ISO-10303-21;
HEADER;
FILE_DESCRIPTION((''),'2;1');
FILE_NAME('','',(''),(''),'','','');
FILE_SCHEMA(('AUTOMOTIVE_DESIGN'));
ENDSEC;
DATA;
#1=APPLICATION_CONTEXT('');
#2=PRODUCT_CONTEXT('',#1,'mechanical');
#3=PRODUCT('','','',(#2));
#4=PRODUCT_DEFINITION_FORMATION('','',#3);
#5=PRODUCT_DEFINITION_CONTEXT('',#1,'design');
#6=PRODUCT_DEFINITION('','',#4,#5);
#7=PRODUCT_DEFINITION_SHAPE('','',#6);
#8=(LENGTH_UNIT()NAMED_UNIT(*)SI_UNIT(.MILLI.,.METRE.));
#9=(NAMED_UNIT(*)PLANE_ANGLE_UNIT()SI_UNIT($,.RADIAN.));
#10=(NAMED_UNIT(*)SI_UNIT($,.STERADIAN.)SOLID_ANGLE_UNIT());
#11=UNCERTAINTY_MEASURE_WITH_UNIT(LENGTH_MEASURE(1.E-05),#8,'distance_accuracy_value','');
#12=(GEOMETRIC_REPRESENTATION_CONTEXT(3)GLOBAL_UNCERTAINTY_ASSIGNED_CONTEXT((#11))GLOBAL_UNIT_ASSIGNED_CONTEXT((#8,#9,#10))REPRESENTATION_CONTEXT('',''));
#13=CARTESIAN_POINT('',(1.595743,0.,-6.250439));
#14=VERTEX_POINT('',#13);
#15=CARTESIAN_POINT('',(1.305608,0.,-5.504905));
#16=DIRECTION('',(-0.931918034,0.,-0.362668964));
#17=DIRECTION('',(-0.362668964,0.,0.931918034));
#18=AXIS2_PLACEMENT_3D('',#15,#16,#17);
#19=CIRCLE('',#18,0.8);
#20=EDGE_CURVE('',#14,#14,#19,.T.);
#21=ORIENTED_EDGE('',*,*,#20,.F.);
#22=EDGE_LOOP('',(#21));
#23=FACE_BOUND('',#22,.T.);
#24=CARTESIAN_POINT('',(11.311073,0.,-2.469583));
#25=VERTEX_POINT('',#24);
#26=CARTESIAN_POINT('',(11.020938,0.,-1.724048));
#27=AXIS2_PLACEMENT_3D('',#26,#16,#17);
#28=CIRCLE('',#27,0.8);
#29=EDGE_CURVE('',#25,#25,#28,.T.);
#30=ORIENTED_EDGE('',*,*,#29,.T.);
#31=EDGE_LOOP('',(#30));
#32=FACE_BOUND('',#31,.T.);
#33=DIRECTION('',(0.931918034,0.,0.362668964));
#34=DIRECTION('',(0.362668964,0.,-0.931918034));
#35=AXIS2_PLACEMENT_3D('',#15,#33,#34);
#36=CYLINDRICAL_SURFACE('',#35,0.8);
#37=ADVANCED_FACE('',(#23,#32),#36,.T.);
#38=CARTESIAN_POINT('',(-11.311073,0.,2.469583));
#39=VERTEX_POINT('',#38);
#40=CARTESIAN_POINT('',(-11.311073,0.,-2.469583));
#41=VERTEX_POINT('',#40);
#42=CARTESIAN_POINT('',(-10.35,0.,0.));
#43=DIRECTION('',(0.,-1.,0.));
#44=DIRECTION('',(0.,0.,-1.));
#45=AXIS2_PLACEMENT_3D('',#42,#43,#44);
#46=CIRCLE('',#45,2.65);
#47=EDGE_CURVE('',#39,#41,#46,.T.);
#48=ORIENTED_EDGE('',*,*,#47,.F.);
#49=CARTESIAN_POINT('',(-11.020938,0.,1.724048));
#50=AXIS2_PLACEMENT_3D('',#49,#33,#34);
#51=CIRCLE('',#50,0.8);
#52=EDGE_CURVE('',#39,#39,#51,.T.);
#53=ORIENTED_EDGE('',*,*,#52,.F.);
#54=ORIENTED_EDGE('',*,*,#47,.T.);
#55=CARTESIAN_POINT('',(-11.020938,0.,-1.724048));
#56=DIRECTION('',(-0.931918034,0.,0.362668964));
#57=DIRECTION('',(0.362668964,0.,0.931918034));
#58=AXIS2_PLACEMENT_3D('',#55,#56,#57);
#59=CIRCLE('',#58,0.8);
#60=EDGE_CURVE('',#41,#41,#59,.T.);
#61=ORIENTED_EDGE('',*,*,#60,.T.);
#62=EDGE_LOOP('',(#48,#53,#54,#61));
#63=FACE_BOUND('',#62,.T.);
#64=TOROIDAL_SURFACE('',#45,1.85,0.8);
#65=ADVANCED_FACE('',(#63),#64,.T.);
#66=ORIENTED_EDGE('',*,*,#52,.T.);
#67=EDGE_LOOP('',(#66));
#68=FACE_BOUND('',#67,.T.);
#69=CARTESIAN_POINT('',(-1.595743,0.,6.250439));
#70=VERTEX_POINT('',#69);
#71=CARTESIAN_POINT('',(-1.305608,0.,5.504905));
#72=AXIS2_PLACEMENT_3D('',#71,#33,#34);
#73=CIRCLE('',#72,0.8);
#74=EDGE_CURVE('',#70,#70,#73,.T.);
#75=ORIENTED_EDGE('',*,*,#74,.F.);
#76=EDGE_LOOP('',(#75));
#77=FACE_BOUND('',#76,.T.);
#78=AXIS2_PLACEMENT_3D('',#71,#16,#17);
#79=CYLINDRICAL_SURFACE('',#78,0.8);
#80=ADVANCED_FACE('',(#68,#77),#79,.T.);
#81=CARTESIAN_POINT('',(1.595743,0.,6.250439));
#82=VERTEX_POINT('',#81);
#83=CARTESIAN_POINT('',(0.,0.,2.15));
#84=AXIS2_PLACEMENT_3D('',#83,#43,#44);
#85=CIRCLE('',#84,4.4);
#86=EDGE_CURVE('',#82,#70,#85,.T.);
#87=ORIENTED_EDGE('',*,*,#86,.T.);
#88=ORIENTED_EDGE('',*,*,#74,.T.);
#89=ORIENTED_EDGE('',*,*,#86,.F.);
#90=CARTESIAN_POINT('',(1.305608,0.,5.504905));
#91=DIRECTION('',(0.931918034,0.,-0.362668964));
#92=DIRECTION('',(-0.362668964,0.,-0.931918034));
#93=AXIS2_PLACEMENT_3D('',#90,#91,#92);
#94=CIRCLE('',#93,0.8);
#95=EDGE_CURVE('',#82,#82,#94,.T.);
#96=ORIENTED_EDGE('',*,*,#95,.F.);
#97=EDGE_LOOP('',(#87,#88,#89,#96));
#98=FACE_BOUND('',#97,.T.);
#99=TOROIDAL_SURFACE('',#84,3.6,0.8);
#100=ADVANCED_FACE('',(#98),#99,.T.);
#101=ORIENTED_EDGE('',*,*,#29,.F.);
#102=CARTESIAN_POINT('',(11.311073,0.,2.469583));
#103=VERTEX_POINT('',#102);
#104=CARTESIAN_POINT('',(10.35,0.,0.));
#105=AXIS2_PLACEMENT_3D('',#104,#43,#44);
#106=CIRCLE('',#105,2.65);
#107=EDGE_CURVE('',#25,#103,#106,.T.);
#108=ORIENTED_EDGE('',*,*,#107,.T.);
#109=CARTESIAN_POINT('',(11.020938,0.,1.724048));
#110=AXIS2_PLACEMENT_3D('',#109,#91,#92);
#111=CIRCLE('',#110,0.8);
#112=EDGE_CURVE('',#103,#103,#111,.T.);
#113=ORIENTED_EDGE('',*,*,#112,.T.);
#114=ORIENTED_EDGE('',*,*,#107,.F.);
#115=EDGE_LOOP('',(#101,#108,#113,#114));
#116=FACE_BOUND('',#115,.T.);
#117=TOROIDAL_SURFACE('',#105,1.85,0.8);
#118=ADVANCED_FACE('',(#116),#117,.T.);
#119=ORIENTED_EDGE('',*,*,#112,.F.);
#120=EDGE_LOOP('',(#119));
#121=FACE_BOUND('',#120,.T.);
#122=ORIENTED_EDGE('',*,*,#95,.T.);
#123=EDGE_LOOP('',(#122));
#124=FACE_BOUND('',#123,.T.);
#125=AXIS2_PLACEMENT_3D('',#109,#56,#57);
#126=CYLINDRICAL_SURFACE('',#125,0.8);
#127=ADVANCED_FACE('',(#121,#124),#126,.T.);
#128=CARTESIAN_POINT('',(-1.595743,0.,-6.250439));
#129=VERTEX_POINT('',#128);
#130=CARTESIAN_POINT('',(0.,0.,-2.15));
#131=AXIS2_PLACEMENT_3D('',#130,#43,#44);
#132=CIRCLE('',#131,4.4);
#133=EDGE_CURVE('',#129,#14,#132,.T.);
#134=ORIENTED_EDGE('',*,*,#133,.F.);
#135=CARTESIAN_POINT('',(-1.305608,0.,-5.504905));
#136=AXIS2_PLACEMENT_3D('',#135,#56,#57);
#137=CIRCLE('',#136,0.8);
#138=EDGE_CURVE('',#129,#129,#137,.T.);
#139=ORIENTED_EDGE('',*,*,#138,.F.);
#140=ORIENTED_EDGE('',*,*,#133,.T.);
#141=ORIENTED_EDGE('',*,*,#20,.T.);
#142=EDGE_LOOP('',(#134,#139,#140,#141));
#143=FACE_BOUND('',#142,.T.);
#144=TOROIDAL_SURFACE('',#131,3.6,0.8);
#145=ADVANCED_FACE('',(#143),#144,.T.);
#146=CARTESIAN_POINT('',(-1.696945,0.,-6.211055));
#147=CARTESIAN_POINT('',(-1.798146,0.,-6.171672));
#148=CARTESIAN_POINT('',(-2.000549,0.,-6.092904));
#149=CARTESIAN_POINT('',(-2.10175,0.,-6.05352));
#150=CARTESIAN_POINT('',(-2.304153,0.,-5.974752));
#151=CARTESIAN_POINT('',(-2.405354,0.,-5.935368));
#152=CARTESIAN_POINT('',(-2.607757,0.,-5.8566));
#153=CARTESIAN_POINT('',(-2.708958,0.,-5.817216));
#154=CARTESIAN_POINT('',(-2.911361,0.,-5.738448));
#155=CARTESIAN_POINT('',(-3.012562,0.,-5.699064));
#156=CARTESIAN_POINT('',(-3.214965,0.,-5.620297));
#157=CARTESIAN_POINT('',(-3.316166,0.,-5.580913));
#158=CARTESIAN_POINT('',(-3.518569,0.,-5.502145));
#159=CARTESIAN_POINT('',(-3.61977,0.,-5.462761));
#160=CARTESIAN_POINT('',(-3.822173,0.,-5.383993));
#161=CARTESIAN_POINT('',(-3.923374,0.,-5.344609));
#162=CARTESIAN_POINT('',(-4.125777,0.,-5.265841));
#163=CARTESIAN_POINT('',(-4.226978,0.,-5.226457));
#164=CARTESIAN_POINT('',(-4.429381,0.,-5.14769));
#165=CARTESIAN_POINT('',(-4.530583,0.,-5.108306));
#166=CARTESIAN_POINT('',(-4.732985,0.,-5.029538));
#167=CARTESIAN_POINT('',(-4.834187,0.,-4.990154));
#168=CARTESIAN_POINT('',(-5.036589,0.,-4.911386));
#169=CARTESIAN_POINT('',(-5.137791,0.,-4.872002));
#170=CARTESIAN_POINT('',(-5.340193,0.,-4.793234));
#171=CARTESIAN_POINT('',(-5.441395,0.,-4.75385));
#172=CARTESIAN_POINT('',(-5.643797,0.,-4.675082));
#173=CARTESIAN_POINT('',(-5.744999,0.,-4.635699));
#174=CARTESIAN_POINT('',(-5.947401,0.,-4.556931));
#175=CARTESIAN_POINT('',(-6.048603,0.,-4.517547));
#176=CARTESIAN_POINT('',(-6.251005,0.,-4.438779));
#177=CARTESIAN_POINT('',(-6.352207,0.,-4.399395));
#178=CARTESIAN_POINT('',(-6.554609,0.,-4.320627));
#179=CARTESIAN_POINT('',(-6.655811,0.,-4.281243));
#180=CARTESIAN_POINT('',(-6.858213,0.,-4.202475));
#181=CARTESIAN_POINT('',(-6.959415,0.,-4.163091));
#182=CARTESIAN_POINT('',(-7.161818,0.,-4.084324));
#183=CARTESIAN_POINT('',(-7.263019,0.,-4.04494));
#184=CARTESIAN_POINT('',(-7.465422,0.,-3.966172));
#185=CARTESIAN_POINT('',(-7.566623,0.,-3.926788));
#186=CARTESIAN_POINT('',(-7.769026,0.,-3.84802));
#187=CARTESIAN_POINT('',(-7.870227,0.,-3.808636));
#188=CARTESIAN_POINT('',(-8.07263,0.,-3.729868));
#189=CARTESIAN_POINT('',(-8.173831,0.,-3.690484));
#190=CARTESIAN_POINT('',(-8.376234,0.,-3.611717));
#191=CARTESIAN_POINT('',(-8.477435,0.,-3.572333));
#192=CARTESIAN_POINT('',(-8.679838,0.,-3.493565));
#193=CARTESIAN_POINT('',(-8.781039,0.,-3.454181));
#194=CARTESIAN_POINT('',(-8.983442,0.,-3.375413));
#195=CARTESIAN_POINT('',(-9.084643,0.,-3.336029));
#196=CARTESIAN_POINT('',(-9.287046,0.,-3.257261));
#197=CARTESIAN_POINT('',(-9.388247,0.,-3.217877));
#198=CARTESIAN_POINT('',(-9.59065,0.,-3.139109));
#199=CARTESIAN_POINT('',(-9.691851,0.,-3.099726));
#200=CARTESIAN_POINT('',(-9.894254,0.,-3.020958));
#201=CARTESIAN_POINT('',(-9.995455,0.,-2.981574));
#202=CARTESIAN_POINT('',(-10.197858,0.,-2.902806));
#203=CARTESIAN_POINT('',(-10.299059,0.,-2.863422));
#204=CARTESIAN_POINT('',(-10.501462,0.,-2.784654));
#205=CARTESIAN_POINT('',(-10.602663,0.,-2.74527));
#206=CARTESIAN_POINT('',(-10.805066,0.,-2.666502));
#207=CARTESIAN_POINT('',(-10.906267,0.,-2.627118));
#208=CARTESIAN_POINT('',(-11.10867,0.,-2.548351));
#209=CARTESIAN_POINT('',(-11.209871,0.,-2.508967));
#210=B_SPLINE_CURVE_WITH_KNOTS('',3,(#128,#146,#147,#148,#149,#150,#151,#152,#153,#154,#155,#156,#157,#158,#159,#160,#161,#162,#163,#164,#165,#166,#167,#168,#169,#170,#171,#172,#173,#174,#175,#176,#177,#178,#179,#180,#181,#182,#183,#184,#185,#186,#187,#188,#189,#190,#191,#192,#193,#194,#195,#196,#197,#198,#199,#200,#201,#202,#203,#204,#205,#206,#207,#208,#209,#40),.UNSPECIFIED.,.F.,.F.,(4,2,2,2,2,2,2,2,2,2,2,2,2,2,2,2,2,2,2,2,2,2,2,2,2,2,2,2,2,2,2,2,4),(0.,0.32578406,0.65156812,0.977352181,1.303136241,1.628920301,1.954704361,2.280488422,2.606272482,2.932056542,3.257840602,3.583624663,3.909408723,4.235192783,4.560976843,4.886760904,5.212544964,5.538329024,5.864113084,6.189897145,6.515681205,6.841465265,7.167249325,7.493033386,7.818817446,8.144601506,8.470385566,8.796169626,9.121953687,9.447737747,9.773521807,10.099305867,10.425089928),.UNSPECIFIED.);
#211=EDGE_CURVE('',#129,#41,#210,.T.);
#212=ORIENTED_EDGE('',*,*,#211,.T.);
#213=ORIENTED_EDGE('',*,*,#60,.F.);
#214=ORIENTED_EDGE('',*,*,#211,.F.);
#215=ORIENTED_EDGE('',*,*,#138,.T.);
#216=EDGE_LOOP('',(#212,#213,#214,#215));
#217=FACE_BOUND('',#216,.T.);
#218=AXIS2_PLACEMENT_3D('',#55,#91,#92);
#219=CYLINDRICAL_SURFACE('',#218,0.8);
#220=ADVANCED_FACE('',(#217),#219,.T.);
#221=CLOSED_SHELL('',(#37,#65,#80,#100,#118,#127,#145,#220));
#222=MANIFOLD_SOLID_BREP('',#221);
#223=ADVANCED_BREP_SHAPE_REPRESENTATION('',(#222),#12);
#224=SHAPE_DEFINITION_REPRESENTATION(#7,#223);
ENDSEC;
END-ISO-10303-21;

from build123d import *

# Parameters (mm, degrees)
DIA_R = 0.8


with BuildPart() as part:
    # O-Ring: sweep along a path in FlowPath
    with BuildLine(Plane(origin=(0, 0, 0), x_dir=(1, 0, 0), z_dir=(0, 1, 0))) as o_ring_path:
        Line((-11.020937583, -1.724048364), (-1.305608269, -5.504904924))
        ThreePointArc((-1.305608269, -5.504904924), (0, -5.75), (1.305608269, -5.504904924))
        Line((1.305608269, -5.504904924), (11.020937583, -1.724048364))
        ThreePointArc((11.020937583, -1.724048364), (12.2, 0), (11.020937583, 1.724048364))
        Line((11.020937583, 1.724048364), (1.305608269, 5.504904924))
        ThreePointArc((1.305608269, 5.504904924), (0, 5.75), (-1.305608269, 5.504904924))
        Line((-1.305608269, 5.504904924), (-11.020937583, 1.724048364))
        ThreePointArc((-11.020937583, 1.724048364), (-12.2, 0), (-11.020937583, -1.724048364))
    # Dia → O-Ring (sweep)
    with BuildSketch(Plane(origin=(-1.305608269, 0, 5.504904924), x_dir=(0.3626689636627123, 0, -0.9319180343763149), z_dir=(0.9319180343763149, 0, 0.3626689636627123))):
        Circle(DIA_R)
    sweep(path=o_ring_path.line)


solid = part.part
